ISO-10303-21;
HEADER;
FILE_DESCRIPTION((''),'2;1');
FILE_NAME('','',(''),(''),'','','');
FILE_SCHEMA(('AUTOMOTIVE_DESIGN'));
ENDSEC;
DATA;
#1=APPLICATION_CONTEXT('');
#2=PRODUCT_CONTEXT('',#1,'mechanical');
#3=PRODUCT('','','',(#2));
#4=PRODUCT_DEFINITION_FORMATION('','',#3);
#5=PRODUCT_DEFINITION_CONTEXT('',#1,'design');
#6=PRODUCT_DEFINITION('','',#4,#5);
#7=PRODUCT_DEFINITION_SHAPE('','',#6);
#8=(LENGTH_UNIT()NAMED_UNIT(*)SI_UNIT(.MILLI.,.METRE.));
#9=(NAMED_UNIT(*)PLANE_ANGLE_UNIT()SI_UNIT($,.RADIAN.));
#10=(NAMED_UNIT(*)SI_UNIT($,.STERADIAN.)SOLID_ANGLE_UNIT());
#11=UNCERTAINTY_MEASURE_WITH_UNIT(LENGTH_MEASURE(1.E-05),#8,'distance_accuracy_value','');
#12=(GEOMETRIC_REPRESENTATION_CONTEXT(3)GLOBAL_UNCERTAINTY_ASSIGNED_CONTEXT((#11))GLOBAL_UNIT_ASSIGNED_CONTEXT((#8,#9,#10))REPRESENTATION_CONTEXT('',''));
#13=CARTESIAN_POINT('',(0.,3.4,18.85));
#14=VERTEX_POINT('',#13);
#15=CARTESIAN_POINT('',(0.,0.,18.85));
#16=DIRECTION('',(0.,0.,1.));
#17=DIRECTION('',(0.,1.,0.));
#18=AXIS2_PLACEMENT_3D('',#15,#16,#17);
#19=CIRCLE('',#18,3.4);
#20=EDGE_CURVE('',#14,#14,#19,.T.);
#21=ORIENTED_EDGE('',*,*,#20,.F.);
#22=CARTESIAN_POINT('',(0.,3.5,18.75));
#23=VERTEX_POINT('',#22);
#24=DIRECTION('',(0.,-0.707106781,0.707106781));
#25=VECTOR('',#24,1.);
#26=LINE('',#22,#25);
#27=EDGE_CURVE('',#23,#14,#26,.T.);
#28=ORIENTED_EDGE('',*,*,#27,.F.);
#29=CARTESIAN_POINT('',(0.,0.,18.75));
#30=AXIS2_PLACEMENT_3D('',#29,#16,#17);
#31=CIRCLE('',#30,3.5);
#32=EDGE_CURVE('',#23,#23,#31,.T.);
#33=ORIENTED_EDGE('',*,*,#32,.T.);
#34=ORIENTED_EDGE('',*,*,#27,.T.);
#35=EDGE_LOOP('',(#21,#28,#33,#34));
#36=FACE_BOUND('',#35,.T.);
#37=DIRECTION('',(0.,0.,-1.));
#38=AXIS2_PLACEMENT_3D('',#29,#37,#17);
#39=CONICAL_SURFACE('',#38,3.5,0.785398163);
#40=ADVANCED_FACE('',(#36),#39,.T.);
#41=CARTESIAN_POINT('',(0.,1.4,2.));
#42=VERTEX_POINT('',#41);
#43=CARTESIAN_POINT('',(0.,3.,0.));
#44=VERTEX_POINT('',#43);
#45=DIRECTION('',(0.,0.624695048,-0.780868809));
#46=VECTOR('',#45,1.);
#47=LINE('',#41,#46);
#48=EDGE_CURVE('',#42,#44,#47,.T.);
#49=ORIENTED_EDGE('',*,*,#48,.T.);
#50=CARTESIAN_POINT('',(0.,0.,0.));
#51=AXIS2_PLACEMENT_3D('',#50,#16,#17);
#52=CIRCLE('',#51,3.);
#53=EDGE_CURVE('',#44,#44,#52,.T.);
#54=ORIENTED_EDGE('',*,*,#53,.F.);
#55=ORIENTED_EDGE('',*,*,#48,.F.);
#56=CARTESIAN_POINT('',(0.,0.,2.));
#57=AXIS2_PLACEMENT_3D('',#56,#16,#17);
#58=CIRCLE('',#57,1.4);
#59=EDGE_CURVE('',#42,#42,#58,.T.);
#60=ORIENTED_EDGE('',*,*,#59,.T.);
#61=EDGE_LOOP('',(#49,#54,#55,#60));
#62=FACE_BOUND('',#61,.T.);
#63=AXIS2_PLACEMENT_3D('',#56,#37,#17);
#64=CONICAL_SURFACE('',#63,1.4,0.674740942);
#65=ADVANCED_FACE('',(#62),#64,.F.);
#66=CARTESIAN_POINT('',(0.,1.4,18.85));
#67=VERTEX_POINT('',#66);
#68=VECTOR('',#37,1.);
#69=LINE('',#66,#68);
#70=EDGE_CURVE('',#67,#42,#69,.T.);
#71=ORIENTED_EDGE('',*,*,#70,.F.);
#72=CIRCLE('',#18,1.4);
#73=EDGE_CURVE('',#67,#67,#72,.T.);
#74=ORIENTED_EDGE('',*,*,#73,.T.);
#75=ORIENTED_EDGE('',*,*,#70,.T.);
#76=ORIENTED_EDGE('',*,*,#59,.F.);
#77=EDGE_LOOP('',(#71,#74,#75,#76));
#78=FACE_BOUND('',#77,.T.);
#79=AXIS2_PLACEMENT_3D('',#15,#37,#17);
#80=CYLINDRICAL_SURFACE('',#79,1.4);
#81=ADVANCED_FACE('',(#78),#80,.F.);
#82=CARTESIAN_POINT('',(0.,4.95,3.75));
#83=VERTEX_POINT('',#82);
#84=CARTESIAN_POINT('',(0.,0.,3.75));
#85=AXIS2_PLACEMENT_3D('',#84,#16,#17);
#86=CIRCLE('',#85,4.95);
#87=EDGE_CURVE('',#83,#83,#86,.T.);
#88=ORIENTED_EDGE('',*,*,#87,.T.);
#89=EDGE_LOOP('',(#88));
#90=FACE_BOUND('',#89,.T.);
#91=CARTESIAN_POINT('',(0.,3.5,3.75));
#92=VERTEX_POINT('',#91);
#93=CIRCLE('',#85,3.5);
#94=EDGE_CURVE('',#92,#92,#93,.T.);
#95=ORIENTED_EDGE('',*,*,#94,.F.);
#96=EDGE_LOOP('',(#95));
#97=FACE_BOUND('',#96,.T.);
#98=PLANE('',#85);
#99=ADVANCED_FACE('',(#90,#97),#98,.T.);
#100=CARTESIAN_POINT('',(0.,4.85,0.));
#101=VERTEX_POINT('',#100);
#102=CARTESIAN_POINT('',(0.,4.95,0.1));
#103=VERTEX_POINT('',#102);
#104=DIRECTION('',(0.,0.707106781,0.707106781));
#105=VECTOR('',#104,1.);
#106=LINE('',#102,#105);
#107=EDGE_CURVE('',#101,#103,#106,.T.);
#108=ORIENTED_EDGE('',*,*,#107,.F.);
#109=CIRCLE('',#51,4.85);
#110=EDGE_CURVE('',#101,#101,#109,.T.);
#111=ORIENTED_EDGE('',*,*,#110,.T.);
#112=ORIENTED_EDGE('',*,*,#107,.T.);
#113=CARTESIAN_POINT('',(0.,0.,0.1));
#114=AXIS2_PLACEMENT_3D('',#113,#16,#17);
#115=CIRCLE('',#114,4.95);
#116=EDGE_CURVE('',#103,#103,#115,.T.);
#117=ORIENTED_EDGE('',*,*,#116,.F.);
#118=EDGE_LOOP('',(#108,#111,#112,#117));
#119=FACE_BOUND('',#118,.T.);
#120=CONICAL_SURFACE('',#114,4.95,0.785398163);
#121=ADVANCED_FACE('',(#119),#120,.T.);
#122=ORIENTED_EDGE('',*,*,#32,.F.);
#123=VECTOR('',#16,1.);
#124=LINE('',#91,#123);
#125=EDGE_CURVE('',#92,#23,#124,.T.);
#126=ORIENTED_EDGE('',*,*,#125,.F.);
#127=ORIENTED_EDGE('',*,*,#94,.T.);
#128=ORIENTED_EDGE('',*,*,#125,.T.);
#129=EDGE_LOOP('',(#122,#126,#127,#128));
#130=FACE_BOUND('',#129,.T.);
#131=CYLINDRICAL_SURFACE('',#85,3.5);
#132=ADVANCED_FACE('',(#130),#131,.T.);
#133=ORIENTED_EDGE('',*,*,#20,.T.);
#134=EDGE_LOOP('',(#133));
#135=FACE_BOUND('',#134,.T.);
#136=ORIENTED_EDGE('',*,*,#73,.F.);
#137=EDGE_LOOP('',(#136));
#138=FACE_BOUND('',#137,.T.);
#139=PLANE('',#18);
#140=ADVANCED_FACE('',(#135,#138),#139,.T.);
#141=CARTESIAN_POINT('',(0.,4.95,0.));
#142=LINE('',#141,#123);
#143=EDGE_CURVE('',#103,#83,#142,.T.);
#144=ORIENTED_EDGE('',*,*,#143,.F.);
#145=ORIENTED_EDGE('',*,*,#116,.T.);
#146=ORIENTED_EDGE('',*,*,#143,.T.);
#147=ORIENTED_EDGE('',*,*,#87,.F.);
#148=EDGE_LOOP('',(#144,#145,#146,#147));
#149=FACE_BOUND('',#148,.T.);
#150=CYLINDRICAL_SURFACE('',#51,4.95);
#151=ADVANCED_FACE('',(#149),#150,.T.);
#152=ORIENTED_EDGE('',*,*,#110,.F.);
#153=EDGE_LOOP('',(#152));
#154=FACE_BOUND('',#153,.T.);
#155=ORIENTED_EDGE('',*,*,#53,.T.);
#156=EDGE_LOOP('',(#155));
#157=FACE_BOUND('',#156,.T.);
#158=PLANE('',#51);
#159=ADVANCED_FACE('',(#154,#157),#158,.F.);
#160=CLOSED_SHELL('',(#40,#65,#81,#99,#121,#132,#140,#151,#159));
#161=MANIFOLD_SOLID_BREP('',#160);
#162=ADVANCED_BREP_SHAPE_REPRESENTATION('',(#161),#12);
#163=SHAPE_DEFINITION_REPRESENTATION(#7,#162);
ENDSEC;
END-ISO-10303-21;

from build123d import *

# Parameters (mm, degrees)
F2_SIZE = 0.1


with BuildPart() as f1:
    # F0 (on Right) → F1 (revolve)
    with BuildSketch(Plane.YZ):
        Polygon((1.4, 18.85), (1.4, 2), (3, 0), (4.95, 0), (4.95, 3.75), (3.5, 3.75), (3.5, 18.85), align=None)
    revolve(axis=Axis((0, 0, 11.038248), (0, 0, 1)))

    # F2
    f2_edges = [f1.edges().sort_by_distance(p)[0] for p in [
        (0, -4.95, 0),
        (0, -3.5, 18.85),
    ]]
    chamfer(f2_edges, length=F2_SIZE)


solid = f1.part
